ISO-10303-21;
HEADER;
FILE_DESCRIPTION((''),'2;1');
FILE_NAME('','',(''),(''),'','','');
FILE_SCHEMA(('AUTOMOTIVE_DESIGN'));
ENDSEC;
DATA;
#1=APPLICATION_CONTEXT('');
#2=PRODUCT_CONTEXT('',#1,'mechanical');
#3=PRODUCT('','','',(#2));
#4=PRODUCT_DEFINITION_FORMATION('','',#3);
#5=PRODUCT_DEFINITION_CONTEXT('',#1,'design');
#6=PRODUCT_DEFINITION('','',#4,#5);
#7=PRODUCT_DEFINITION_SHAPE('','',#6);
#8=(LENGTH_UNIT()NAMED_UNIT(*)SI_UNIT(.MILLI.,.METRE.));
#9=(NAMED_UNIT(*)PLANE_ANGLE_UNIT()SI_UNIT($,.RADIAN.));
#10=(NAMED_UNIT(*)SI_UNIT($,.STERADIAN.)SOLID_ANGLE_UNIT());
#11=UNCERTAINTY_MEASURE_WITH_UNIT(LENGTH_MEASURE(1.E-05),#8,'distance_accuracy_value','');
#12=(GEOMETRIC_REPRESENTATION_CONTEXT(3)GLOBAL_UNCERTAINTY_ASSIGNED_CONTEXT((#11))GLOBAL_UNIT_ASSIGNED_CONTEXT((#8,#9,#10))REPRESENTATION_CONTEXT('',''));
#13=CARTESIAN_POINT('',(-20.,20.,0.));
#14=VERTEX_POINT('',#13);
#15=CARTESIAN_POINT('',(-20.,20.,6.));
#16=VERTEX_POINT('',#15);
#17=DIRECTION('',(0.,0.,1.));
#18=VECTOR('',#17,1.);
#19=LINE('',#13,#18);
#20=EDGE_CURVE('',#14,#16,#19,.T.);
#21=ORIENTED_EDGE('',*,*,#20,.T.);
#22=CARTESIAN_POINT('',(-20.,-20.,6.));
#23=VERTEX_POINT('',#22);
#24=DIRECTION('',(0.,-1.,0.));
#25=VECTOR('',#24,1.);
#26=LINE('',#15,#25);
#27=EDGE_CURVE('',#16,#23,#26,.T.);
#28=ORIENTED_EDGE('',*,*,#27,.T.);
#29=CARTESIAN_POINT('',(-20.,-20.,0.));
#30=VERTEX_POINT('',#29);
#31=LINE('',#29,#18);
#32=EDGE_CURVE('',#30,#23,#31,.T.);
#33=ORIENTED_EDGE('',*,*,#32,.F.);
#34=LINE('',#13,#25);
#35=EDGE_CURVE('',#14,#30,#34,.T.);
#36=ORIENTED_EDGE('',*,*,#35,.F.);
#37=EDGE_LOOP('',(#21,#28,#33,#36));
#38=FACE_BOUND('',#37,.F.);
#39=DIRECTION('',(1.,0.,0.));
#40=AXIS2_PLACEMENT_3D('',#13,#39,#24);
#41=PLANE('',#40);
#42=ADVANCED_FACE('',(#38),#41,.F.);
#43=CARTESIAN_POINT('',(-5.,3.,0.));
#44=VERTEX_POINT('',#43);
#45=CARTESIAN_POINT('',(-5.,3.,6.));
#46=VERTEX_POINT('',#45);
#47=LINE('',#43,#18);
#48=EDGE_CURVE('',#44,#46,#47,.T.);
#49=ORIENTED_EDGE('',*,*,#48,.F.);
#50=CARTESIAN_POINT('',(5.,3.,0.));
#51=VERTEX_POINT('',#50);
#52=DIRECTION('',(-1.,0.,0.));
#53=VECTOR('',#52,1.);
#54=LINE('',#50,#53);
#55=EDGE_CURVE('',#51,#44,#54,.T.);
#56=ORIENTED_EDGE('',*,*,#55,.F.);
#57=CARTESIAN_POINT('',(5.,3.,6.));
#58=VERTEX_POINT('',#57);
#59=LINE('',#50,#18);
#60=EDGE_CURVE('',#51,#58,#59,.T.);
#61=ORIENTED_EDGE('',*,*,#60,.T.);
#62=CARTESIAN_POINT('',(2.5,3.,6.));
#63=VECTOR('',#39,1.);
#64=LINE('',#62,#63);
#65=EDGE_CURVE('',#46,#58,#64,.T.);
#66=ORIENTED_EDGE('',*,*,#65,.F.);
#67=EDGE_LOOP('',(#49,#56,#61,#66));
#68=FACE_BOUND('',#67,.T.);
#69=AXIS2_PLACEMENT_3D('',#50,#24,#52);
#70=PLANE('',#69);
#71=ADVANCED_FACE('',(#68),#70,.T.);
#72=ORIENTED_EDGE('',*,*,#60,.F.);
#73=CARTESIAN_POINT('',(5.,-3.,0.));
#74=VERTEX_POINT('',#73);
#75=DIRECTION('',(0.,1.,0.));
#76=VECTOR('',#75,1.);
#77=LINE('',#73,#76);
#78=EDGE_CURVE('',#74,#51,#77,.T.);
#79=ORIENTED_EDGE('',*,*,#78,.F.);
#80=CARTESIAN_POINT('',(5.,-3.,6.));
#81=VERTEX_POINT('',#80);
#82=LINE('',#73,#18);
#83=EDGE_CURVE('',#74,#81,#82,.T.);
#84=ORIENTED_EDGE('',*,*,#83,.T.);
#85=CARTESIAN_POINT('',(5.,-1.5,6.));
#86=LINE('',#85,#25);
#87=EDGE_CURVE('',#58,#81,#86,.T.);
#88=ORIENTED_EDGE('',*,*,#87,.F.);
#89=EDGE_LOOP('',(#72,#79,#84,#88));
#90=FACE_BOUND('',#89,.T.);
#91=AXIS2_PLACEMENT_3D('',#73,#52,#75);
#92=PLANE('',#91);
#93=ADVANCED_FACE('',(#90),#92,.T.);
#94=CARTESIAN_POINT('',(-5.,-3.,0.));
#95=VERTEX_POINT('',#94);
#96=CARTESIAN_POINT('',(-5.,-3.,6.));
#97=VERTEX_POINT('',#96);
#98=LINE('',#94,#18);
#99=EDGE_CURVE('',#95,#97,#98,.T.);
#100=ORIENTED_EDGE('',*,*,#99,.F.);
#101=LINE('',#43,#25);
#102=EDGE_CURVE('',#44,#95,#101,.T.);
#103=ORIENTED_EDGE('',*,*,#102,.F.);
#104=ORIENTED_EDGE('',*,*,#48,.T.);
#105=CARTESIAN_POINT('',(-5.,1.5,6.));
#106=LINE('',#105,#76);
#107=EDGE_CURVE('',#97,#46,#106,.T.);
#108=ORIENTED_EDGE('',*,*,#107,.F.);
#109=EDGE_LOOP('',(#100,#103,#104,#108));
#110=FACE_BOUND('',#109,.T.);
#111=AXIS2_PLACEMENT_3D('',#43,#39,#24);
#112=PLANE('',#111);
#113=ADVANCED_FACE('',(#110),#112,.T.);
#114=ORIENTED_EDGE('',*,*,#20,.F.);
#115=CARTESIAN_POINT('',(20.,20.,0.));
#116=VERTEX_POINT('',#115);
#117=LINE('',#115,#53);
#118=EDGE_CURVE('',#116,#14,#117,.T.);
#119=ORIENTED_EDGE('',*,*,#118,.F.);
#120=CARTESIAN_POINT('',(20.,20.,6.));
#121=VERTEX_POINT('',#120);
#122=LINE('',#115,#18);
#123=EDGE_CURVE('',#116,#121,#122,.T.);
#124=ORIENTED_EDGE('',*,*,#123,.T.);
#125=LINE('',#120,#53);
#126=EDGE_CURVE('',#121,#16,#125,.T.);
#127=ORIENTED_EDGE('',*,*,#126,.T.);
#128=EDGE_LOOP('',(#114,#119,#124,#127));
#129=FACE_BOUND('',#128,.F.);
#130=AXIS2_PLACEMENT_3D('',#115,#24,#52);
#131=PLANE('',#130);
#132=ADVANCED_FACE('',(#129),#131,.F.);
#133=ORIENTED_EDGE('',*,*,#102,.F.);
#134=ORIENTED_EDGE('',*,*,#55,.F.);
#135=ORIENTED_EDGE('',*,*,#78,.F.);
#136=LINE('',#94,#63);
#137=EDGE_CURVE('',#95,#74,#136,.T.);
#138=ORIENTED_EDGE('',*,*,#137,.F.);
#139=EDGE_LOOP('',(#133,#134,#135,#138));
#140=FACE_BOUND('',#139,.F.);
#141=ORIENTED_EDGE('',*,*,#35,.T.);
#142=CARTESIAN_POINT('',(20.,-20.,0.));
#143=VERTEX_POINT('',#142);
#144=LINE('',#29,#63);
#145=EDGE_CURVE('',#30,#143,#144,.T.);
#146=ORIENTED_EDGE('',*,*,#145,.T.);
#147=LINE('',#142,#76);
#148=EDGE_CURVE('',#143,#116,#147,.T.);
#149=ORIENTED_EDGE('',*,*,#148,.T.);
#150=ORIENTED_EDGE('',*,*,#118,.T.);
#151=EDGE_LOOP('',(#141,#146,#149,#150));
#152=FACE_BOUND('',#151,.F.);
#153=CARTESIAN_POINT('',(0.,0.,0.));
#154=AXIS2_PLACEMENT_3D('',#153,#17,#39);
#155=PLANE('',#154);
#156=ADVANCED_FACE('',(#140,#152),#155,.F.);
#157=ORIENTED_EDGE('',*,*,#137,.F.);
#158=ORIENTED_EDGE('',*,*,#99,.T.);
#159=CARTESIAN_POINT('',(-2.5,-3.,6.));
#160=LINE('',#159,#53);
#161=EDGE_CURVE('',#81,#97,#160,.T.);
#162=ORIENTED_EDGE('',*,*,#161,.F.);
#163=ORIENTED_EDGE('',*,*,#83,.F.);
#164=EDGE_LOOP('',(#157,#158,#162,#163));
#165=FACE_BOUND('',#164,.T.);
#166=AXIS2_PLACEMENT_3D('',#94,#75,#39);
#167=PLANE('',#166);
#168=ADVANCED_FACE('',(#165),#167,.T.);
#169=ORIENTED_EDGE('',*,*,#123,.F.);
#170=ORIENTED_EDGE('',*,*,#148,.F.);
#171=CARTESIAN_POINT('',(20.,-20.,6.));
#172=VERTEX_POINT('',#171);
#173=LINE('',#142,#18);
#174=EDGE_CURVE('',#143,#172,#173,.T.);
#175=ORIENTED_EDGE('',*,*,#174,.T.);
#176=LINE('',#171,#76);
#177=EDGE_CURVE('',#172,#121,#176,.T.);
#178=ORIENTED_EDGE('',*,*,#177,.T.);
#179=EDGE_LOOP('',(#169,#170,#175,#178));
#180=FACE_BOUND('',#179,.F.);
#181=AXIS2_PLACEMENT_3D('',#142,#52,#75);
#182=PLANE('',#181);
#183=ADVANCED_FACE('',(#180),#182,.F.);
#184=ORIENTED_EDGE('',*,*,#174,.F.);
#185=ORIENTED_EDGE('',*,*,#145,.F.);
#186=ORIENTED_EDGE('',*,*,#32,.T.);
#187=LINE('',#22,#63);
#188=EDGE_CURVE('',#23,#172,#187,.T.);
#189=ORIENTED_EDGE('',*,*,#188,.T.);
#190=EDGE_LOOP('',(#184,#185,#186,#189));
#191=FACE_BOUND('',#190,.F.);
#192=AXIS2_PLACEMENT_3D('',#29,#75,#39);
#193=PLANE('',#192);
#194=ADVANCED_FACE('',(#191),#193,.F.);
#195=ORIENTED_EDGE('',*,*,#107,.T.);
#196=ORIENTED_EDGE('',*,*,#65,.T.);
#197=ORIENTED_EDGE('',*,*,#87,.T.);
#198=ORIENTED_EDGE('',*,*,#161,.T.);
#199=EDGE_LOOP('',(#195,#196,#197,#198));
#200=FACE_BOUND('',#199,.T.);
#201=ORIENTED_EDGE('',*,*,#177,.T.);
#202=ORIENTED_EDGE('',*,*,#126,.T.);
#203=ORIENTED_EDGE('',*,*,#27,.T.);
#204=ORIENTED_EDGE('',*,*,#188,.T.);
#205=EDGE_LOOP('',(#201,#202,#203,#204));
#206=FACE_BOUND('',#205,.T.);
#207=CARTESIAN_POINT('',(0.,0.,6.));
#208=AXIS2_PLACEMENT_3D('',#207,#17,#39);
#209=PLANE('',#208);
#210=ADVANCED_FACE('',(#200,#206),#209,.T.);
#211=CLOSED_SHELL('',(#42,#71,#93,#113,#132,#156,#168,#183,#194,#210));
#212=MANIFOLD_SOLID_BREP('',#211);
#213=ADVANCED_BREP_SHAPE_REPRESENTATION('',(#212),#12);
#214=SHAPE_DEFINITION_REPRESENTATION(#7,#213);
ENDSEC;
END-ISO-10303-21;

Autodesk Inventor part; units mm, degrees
ref_plane "YZ Plane" through (0, 0, 0) normal (1, 0, 0) x (0, 1, 0)
ref_plane "XZ Plane" through (0, 0, 0) normal (0, 1, 0) x (-1, 0, 0)
ref_plane "XY Plane" through (0, 0, 0) normal (0, 0, 1) x (1, 0, 0)
sketch "Sketch1" plane through (0, 0, 0) normal (0, 0, 1) x (1, 0, 0)
  line L0 (-20, -20) -> (20, -20)
  line L1 (20, -20) -> (20, 20)
  line L2 (20, 20) -> (-20, 20)
  line L3 (-20, 20) -> (-20, -20)
  line L4 (-20, -20) -> (20, 20) construction
  line L5 (20, -20) -> (-20, 20) construction
  line L6 (-5, -3) -> (5, -3)
  line L7 (5, -3) -> (5, 3)
  line L8 (5, 3) -> (-5, 3)
  line L9 (-5, 3) -> (-5, -3)
  line L10 (-5, -3) -> (5, 3) construction
  line L11 (5, -3) -> (-5, 3) construction
  point P0 (0, 0)
  dimension "d2" = 40
  dimension "d3" = 40
  dimension "d6" = 10
  dimension "d7" = 6
extrude "Extrusion1" add sketch "Sketch1" along normal blind 6 contours L3 L2 L1 L0 | L9 L8 L7 L6
extrude "Extrusion2" cut sketch "Sketch1" along normal through all contours L9 L8 L7 L6
properties part number "Push_1"
